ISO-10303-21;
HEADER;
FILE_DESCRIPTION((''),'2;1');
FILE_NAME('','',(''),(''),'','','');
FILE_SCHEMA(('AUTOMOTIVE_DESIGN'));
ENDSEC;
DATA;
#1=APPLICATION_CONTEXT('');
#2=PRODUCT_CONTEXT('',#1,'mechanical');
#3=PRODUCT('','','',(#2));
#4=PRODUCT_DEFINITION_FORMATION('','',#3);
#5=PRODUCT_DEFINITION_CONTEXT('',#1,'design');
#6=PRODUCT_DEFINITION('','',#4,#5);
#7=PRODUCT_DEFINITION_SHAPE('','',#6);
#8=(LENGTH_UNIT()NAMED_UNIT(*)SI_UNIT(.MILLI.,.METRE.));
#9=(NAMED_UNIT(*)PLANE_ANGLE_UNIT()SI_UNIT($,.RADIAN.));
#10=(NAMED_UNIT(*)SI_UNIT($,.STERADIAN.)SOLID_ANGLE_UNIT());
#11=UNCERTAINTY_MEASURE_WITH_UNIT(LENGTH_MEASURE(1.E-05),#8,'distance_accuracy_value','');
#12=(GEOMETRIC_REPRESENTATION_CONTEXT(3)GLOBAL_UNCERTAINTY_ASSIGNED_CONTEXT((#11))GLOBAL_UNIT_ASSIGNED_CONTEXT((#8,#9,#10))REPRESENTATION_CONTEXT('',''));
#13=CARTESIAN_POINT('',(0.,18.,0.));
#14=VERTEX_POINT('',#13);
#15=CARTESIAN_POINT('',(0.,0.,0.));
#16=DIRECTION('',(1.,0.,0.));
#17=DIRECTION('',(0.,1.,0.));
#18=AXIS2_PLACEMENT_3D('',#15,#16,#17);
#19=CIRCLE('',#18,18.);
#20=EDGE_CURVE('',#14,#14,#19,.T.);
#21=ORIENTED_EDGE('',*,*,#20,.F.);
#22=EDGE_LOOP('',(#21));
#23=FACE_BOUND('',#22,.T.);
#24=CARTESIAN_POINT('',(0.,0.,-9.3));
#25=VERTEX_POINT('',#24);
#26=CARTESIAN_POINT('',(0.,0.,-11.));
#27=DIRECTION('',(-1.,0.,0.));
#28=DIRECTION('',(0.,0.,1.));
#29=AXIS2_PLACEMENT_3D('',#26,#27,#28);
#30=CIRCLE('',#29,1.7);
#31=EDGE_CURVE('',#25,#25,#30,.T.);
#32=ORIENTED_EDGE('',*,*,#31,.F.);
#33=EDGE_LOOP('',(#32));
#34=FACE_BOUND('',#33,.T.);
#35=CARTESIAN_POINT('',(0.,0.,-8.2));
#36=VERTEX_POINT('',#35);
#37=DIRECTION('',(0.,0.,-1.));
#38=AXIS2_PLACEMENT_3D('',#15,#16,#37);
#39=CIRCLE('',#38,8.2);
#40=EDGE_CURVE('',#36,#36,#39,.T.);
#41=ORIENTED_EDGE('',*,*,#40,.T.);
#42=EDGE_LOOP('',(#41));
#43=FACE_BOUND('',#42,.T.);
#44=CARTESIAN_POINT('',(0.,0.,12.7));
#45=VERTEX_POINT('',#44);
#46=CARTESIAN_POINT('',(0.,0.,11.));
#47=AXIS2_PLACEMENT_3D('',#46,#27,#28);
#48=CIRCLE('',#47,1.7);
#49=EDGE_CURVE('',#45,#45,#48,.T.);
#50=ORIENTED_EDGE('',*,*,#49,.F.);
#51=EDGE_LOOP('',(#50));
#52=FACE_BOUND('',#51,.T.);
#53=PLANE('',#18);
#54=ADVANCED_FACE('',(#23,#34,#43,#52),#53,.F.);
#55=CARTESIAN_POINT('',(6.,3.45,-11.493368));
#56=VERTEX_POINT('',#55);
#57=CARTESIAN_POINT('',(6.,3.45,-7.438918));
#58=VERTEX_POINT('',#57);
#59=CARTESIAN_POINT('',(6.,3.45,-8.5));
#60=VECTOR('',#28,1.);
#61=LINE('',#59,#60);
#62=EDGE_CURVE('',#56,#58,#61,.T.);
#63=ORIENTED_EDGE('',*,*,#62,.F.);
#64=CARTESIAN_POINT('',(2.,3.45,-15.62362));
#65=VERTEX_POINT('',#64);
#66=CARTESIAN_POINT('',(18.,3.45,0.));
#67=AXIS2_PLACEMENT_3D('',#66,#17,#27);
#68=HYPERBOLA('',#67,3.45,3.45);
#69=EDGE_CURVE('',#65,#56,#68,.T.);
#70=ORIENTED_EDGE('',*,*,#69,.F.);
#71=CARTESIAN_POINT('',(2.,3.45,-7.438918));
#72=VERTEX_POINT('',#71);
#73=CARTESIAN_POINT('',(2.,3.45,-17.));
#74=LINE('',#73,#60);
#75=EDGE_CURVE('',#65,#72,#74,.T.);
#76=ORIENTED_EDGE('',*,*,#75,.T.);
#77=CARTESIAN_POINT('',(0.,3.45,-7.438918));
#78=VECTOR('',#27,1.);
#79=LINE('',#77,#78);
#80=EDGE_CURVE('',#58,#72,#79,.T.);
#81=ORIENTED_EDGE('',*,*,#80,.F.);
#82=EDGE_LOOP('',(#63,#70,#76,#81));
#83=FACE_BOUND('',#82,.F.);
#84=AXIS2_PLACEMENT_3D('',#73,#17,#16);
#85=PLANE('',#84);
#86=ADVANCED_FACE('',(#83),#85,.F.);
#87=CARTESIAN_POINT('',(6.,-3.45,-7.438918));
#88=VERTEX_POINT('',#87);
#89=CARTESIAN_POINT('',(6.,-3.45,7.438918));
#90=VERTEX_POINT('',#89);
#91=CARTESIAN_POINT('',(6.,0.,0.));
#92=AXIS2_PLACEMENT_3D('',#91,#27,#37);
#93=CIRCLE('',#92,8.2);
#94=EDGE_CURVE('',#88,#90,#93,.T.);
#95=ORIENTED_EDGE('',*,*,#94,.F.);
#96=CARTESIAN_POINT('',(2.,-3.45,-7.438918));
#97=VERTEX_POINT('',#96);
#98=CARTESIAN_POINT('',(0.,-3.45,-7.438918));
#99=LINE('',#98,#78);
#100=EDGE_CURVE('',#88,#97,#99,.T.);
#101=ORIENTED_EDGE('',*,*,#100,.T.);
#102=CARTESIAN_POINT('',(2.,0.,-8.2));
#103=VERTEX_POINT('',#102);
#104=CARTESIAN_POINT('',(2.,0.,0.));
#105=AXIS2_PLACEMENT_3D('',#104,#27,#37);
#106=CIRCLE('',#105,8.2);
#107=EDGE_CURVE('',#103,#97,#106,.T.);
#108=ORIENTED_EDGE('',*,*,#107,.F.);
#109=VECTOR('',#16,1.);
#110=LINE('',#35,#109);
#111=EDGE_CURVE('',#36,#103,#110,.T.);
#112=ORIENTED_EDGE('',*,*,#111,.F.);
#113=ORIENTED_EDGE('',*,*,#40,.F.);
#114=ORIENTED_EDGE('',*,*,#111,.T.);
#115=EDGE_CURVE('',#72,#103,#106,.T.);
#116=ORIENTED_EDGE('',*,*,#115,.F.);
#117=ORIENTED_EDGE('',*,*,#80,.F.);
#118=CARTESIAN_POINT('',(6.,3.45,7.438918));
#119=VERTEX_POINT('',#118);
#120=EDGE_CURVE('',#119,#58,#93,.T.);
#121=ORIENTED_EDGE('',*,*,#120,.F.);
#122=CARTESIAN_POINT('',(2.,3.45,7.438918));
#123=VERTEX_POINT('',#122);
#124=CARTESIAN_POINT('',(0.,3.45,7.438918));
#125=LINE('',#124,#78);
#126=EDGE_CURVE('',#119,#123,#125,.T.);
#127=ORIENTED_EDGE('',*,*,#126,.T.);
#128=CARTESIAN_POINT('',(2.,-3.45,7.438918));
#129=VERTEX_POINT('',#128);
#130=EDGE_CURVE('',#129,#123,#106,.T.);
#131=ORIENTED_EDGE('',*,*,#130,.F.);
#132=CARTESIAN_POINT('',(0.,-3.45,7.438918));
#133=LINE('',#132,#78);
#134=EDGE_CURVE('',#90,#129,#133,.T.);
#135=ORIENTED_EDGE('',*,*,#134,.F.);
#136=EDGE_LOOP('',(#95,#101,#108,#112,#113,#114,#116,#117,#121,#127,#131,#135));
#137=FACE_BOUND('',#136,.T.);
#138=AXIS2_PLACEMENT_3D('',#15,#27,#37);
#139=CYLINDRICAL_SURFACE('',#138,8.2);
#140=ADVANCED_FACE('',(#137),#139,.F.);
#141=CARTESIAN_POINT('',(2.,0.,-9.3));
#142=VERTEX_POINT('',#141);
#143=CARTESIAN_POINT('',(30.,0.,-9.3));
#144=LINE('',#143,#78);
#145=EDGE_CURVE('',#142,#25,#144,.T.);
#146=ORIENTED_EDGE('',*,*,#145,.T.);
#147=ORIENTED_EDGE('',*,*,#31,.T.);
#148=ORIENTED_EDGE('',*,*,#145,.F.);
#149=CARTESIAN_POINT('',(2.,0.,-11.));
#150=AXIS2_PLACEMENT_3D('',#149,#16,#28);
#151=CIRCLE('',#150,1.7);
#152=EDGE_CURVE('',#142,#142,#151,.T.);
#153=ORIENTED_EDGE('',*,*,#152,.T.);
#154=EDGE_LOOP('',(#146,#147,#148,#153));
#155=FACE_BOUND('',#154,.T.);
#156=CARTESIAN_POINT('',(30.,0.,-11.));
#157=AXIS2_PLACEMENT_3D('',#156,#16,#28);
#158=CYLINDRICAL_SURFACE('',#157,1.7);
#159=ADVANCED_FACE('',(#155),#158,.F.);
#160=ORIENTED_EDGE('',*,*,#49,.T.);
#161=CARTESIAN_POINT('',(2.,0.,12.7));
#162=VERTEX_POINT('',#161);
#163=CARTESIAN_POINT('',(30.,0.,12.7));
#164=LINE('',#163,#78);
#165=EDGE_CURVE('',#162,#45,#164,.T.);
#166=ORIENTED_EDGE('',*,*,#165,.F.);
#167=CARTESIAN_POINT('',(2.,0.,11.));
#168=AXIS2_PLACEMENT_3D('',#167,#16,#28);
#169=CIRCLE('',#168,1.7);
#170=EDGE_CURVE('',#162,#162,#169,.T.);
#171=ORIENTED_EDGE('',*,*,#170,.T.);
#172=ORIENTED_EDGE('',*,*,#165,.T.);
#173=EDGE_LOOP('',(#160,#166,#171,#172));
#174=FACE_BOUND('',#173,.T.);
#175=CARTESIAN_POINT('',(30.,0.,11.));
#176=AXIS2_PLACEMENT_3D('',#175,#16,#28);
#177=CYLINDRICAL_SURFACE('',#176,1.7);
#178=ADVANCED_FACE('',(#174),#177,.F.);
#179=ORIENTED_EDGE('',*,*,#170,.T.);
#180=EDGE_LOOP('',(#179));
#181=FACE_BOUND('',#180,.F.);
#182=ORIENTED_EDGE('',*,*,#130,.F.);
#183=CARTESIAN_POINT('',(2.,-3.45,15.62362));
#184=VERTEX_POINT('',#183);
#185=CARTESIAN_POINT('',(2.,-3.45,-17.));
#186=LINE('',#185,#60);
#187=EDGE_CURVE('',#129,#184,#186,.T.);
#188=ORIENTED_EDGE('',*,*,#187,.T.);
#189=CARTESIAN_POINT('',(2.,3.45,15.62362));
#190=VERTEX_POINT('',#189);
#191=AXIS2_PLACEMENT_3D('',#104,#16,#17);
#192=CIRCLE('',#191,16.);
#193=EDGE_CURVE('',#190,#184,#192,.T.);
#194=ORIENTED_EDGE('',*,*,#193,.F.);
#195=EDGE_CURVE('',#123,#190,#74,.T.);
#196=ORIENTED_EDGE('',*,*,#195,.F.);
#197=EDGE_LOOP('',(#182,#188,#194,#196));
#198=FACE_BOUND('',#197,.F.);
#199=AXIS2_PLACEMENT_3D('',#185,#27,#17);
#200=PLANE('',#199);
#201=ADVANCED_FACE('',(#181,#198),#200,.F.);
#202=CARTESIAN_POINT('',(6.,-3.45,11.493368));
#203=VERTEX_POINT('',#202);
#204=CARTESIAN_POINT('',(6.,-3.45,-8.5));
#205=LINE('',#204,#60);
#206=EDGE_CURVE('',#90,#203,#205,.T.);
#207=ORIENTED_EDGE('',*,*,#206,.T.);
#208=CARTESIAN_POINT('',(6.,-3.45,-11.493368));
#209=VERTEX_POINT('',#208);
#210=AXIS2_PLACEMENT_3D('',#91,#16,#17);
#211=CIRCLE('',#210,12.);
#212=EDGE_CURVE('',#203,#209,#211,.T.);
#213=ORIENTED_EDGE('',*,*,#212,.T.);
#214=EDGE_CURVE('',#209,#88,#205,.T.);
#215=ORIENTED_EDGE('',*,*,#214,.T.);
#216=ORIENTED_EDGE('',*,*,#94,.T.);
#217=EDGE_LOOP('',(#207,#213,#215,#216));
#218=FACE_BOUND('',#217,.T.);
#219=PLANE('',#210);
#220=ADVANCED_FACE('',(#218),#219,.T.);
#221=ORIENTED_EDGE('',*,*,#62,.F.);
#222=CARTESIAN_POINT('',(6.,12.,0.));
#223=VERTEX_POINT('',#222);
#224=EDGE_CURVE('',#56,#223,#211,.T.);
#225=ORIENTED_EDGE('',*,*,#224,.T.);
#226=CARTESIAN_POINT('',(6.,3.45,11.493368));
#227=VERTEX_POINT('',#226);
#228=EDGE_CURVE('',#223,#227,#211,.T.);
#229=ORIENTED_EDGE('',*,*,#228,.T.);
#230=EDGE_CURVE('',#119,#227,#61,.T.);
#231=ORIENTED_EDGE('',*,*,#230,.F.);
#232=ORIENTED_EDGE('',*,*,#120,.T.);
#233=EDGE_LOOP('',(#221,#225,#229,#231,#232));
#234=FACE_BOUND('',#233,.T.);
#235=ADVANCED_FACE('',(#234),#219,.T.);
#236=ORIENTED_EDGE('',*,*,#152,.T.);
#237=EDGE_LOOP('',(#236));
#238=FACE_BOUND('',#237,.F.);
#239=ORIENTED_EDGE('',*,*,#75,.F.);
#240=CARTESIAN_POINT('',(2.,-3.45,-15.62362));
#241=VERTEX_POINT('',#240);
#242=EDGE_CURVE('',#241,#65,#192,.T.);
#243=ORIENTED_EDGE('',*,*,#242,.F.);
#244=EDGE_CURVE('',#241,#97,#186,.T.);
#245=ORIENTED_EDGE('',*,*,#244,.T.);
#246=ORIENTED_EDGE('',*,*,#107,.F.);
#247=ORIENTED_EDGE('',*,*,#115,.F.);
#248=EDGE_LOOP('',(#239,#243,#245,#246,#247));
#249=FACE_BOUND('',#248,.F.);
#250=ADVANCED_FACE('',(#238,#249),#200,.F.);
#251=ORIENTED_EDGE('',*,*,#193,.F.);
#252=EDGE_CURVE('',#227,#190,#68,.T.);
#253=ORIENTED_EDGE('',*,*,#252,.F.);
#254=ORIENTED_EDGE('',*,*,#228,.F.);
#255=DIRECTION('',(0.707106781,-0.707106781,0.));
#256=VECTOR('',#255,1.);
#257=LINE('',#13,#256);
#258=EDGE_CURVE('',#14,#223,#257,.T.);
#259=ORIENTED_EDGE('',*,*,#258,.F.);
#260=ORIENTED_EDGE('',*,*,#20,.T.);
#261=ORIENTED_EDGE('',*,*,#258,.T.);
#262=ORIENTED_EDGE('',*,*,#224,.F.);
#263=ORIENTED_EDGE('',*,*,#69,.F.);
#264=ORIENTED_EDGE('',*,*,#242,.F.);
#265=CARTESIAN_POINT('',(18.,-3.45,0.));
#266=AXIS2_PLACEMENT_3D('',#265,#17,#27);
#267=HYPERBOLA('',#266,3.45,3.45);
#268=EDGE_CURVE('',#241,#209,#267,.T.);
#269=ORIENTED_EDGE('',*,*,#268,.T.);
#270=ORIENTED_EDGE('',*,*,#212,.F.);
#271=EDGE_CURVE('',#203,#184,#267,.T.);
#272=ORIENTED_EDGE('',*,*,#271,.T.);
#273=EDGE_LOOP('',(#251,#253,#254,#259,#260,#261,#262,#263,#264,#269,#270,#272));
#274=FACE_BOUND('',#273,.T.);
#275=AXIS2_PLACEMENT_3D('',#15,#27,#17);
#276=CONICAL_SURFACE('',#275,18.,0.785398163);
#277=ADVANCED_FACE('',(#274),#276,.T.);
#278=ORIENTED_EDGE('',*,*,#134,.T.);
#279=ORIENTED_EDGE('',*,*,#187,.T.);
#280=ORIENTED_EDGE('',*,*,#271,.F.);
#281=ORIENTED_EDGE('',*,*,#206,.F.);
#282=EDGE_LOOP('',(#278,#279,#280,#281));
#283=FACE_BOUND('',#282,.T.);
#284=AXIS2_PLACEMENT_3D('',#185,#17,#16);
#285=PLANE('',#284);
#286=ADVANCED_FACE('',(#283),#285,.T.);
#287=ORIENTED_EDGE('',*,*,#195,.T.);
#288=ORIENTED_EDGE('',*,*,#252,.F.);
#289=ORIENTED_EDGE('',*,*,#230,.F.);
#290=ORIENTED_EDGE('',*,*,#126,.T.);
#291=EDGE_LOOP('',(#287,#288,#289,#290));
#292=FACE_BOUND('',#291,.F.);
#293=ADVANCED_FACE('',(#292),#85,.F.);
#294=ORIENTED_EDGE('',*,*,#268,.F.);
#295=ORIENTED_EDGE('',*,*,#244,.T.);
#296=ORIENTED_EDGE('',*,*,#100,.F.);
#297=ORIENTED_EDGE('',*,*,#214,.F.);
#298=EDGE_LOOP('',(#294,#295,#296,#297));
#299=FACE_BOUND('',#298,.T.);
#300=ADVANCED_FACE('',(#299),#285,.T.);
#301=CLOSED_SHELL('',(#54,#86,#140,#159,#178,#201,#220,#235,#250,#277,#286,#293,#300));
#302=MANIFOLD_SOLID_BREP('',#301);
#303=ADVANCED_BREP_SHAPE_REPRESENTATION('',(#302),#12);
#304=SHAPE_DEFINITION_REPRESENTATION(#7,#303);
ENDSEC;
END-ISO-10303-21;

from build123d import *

# Parameters (mm, degrees)
CYLINDER_R           = 2.95
CYLINDER_DEPTH       = 7
CYLINDER001_R        = 1.7
CYLINDER001_DEPTH    = 30
CLONE062_PITCH_ANGLE = -90
CLONE061_PITCH_ANGLE = -90
BOX246_W             = 10
BOX246_H             = 6.9
BOX246_DEPTH         = 34
CYLINDER1003_R       = 8.2
CYLINDER1003_DEPTH   = 15
CLONE058_PITCH_ANGLE = 90


with BuildPart() as m3bolthead:
    # Cylinder → Cylinder (new body)
    with BuildSketch(Plane.XY):
        Circle(CYLINDER_R)
    extrude(amount=CYLINDER_DEPTH)


with BuildPart() as m3bolt:
    # Cylinder001 → Cylinder001 (new body)
    with BuildSketch(Plane.XY.offset(6)):
        Circle(CYLINDER001_R)
    extrude(amount=CYLINDER001_DEPTH)

    # Fusion: union M3BoltHead
    add(m3bolthead.part)


with BuildPart() as clone_of_m3bolt022:
    # Clone062 base: copy of M3Bolt
    add(m3bolt.part)


with BuildPart() as clone_of_m3bolt022_1:
    # Clone062 pitch: moved
    add(clone_of_m3bolt022.part.rotate(Axis((0, 0, 0), (0, 1, 0)), CLONE062_PITCH_ANGLE))


with BuildPart() as clone_of_m3bolt022_2:
    # Clone062 placement: moved
    add(clone_of_m3bolt022_1.part.moved(Location((36, 0, -11))))


with BuildPart() as clone_of_m3bolt021:
    # Clone061 base: copy of M3Bolt
    add(m3bolt.part)


with BuildPart() as clone_of_m3bolt021_1:
    # Clone061 pitch: moved
    add(clone_of_m3bolt021.part.rotate(Axis((0, 0, 0), (0, 1, 0)), CLONE061_PITCH_ANGLE))


with BuildPart() as clone_of_m3bolt021_2:
    # Clone061 placement: moved
    add(clone_of_m3bolt021_1.part.moved(Location((36, 0, 11))))


with BuildPart() as cube010:
    # Box246 → Box246 (new body)
    with BuildSketch(Plane(origin=(2, -3.45, -17), x_dir=(1, 0, 0), z_dir=(0, 0, 1))):
        with Locations((5, 3.45)):
            Rectangle(BOX246_W, BOX246_H)
    extrude(amount=BOX246_DEPTH)


with BuildPart() as fusion021:
    # Cylinder1003 → Cylinder1003 (new body)
    with BuildSketch(Plane.XY):
        Circle(CYLINDER1003_R)
    extrude(amount=CYLINDER1003_DEPTH)


with BuildPart() as fusion021_1:
    # Clone058 pitch: moved
    add(fusion021.part.rotate(Axis((0, 0, 0), (0, 1, 0)), CLONE058_PITCH_ANGLE))


with BuildPart() as fusion021_2:
    # Clone058 placement: moved
    add(fusion021_1.part)

    # Fusion021: union Clone of M3Bolt022, Clone of M3Bolt021, Cube010
    add(clone_of_m3bolt022_2.part)
    add(clone_of_m3bolt021_2.part)
    add(cube010.part)


with BuildPart() as f_625zzbearinghousingmaster:
    # Sketch016 → Revolution003 (revolve)
    with BuildSketch(Plane.XY):
        Polygon((0, 0), (0, 18), (6, 12), (6, 0), align=None)
    revolve(axis=Axis((0, 0, 0), (1, 0, 0)))

    # Cut020: cut Fusion021
    add(fusion021_2.part, mode=Mode.SUBTRACT)


solid = f_625zzbearinghousingmaster.part
